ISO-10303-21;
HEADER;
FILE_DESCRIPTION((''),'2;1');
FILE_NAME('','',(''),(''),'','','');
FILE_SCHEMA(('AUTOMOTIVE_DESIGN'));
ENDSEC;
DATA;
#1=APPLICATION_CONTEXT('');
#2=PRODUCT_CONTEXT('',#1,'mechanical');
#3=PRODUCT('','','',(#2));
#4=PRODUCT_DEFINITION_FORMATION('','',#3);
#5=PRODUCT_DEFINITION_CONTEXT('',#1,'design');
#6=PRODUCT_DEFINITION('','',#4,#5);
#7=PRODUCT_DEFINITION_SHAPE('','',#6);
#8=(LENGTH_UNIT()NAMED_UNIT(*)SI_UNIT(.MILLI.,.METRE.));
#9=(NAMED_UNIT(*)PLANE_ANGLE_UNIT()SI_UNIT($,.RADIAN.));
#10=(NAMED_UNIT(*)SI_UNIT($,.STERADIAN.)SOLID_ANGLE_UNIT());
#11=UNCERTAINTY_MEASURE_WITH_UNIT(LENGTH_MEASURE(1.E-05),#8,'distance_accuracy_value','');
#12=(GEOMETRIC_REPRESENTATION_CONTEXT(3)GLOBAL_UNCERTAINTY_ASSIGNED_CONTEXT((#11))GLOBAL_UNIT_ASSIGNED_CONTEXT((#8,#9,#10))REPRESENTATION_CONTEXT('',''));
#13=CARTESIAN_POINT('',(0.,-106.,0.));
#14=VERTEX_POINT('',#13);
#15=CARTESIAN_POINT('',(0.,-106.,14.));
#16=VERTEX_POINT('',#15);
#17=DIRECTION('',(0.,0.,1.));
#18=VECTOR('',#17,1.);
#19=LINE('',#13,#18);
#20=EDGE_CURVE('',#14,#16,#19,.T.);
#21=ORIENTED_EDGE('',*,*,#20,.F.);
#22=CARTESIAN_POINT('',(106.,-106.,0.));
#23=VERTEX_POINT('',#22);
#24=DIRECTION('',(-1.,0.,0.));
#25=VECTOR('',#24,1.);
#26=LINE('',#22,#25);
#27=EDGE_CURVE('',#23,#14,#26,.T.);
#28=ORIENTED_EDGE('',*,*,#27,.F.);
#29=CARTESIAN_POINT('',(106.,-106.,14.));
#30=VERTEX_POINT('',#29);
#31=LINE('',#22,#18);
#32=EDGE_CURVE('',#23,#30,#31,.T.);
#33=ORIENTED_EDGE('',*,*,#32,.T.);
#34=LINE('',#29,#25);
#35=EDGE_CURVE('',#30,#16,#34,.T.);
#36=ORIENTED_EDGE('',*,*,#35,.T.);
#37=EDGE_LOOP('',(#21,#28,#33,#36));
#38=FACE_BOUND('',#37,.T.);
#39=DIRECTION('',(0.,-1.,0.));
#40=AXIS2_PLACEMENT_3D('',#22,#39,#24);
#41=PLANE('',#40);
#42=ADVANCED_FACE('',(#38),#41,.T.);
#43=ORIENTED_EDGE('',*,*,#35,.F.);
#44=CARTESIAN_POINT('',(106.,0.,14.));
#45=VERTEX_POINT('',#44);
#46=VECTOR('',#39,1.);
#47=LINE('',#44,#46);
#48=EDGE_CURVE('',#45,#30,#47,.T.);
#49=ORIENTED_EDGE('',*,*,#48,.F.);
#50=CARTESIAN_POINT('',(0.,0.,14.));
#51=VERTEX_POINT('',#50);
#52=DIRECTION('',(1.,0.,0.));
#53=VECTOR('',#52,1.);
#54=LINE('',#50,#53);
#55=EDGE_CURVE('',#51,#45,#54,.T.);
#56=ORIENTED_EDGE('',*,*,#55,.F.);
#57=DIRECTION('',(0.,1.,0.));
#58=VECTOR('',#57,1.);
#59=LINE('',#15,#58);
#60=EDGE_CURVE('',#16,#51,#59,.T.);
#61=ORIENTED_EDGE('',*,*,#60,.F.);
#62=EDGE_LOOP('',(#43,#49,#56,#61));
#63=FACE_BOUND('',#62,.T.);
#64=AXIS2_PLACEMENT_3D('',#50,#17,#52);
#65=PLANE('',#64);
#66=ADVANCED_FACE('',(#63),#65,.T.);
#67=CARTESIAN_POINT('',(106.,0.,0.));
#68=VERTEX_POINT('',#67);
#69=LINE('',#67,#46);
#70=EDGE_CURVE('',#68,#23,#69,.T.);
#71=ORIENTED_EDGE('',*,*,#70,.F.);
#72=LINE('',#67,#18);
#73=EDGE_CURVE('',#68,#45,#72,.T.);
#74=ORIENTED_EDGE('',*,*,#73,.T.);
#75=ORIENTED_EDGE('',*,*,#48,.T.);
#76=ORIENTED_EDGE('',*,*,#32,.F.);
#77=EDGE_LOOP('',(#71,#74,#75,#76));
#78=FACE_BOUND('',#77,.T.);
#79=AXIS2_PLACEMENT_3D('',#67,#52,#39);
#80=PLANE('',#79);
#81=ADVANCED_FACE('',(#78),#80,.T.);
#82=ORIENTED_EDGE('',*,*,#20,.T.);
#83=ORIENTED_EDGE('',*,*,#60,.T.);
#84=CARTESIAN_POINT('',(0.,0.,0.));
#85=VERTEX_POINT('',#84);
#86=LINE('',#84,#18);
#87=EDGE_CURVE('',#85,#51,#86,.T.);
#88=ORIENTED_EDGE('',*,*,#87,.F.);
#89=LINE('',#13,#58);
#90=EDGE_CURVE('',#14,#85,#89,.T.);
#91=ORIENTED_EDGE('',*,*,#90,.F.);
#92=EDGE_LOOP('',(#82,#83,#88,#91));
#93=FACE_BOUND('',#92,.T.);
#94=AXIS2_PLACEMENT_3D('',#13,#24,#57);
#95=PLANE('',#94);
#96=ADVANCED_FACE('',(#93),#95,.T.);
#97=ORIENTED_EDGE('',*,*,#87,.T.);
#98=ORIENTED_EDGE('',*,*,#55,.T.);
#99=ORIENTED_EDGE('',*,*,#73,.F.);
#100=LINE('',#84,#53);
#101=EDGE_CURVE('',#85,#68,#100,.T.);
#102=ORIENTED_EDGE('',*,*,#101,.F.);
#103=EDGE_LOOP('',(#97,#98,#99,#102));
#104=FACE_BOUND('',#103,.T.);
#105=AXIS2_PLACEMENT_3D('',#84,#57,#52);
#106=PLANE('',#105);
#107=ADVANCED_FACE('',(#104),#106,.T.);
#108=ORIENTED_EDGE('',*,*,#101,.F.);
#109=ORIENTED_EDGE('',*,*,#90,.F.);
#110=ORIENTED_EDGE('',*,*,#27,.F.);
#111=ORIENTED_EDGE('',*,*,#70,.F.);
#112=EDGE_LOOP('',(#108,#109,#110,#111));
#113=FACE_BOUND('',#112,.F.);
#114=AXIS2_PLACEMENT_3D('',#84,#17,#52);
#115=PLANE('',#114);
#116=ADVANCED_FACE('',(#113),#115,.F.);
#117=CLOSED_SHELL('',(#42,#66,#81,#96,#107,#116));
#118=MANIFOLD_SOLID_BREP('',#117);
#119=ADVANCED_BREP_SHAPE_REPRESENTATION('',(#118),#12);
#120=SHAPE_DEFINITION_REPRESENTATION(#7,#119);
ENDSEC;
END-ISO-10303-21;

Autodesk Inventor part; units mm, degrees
ref_plane "YZ Plane" through (0, 0, 0) normal (1, 0, 0) x (0, 1, 0)
ref_plane "XZ Plane" through (0, 0, 0) normal (0, 1, 0) x (-1, 0, 0)
ref_plane "XY Plane" through (0, 0, 0) normal (0, 0, 1) x (1, 0, 0)
sketch "Sketch1" plane through (0, 0, 0) normal (0, 0, 1) x (1, 0, 0)
  line L0 (7.5, -7.5) -> (98.5, -7.5) construction
  line L1 (98.5, -7.5) -> (98.5, -98.5) construction
  line L2 (98.5, -98.5) -> (7.5, -98.5) construction
  line L3 (7.5, -98.5) -> (7.5, -7.5) construction
  line L4 (0, 0) -> (106, 0)
  line L5 (106, 0) -> (106, -106)
  line L6 (106, -106) -> (0, -106)
  line L7 (0, -106) -> (0, 0)
  dimension "d0" = 91
  dimension "d1" = 91
  dimension "d2" = 7.5
  dimension "d3" = 7.5
  dimension "d5" = 7.5
  dimension "d6" = 7.5
extrude "Extrusion1" add sketch "Sketch1" along normal blind 14
equation "\"d3\" = d2"
equation "\"d5\" = d3"
equation "\"d6\" = d3"
properties part number "Convex Organ Bank Brain Slot"
